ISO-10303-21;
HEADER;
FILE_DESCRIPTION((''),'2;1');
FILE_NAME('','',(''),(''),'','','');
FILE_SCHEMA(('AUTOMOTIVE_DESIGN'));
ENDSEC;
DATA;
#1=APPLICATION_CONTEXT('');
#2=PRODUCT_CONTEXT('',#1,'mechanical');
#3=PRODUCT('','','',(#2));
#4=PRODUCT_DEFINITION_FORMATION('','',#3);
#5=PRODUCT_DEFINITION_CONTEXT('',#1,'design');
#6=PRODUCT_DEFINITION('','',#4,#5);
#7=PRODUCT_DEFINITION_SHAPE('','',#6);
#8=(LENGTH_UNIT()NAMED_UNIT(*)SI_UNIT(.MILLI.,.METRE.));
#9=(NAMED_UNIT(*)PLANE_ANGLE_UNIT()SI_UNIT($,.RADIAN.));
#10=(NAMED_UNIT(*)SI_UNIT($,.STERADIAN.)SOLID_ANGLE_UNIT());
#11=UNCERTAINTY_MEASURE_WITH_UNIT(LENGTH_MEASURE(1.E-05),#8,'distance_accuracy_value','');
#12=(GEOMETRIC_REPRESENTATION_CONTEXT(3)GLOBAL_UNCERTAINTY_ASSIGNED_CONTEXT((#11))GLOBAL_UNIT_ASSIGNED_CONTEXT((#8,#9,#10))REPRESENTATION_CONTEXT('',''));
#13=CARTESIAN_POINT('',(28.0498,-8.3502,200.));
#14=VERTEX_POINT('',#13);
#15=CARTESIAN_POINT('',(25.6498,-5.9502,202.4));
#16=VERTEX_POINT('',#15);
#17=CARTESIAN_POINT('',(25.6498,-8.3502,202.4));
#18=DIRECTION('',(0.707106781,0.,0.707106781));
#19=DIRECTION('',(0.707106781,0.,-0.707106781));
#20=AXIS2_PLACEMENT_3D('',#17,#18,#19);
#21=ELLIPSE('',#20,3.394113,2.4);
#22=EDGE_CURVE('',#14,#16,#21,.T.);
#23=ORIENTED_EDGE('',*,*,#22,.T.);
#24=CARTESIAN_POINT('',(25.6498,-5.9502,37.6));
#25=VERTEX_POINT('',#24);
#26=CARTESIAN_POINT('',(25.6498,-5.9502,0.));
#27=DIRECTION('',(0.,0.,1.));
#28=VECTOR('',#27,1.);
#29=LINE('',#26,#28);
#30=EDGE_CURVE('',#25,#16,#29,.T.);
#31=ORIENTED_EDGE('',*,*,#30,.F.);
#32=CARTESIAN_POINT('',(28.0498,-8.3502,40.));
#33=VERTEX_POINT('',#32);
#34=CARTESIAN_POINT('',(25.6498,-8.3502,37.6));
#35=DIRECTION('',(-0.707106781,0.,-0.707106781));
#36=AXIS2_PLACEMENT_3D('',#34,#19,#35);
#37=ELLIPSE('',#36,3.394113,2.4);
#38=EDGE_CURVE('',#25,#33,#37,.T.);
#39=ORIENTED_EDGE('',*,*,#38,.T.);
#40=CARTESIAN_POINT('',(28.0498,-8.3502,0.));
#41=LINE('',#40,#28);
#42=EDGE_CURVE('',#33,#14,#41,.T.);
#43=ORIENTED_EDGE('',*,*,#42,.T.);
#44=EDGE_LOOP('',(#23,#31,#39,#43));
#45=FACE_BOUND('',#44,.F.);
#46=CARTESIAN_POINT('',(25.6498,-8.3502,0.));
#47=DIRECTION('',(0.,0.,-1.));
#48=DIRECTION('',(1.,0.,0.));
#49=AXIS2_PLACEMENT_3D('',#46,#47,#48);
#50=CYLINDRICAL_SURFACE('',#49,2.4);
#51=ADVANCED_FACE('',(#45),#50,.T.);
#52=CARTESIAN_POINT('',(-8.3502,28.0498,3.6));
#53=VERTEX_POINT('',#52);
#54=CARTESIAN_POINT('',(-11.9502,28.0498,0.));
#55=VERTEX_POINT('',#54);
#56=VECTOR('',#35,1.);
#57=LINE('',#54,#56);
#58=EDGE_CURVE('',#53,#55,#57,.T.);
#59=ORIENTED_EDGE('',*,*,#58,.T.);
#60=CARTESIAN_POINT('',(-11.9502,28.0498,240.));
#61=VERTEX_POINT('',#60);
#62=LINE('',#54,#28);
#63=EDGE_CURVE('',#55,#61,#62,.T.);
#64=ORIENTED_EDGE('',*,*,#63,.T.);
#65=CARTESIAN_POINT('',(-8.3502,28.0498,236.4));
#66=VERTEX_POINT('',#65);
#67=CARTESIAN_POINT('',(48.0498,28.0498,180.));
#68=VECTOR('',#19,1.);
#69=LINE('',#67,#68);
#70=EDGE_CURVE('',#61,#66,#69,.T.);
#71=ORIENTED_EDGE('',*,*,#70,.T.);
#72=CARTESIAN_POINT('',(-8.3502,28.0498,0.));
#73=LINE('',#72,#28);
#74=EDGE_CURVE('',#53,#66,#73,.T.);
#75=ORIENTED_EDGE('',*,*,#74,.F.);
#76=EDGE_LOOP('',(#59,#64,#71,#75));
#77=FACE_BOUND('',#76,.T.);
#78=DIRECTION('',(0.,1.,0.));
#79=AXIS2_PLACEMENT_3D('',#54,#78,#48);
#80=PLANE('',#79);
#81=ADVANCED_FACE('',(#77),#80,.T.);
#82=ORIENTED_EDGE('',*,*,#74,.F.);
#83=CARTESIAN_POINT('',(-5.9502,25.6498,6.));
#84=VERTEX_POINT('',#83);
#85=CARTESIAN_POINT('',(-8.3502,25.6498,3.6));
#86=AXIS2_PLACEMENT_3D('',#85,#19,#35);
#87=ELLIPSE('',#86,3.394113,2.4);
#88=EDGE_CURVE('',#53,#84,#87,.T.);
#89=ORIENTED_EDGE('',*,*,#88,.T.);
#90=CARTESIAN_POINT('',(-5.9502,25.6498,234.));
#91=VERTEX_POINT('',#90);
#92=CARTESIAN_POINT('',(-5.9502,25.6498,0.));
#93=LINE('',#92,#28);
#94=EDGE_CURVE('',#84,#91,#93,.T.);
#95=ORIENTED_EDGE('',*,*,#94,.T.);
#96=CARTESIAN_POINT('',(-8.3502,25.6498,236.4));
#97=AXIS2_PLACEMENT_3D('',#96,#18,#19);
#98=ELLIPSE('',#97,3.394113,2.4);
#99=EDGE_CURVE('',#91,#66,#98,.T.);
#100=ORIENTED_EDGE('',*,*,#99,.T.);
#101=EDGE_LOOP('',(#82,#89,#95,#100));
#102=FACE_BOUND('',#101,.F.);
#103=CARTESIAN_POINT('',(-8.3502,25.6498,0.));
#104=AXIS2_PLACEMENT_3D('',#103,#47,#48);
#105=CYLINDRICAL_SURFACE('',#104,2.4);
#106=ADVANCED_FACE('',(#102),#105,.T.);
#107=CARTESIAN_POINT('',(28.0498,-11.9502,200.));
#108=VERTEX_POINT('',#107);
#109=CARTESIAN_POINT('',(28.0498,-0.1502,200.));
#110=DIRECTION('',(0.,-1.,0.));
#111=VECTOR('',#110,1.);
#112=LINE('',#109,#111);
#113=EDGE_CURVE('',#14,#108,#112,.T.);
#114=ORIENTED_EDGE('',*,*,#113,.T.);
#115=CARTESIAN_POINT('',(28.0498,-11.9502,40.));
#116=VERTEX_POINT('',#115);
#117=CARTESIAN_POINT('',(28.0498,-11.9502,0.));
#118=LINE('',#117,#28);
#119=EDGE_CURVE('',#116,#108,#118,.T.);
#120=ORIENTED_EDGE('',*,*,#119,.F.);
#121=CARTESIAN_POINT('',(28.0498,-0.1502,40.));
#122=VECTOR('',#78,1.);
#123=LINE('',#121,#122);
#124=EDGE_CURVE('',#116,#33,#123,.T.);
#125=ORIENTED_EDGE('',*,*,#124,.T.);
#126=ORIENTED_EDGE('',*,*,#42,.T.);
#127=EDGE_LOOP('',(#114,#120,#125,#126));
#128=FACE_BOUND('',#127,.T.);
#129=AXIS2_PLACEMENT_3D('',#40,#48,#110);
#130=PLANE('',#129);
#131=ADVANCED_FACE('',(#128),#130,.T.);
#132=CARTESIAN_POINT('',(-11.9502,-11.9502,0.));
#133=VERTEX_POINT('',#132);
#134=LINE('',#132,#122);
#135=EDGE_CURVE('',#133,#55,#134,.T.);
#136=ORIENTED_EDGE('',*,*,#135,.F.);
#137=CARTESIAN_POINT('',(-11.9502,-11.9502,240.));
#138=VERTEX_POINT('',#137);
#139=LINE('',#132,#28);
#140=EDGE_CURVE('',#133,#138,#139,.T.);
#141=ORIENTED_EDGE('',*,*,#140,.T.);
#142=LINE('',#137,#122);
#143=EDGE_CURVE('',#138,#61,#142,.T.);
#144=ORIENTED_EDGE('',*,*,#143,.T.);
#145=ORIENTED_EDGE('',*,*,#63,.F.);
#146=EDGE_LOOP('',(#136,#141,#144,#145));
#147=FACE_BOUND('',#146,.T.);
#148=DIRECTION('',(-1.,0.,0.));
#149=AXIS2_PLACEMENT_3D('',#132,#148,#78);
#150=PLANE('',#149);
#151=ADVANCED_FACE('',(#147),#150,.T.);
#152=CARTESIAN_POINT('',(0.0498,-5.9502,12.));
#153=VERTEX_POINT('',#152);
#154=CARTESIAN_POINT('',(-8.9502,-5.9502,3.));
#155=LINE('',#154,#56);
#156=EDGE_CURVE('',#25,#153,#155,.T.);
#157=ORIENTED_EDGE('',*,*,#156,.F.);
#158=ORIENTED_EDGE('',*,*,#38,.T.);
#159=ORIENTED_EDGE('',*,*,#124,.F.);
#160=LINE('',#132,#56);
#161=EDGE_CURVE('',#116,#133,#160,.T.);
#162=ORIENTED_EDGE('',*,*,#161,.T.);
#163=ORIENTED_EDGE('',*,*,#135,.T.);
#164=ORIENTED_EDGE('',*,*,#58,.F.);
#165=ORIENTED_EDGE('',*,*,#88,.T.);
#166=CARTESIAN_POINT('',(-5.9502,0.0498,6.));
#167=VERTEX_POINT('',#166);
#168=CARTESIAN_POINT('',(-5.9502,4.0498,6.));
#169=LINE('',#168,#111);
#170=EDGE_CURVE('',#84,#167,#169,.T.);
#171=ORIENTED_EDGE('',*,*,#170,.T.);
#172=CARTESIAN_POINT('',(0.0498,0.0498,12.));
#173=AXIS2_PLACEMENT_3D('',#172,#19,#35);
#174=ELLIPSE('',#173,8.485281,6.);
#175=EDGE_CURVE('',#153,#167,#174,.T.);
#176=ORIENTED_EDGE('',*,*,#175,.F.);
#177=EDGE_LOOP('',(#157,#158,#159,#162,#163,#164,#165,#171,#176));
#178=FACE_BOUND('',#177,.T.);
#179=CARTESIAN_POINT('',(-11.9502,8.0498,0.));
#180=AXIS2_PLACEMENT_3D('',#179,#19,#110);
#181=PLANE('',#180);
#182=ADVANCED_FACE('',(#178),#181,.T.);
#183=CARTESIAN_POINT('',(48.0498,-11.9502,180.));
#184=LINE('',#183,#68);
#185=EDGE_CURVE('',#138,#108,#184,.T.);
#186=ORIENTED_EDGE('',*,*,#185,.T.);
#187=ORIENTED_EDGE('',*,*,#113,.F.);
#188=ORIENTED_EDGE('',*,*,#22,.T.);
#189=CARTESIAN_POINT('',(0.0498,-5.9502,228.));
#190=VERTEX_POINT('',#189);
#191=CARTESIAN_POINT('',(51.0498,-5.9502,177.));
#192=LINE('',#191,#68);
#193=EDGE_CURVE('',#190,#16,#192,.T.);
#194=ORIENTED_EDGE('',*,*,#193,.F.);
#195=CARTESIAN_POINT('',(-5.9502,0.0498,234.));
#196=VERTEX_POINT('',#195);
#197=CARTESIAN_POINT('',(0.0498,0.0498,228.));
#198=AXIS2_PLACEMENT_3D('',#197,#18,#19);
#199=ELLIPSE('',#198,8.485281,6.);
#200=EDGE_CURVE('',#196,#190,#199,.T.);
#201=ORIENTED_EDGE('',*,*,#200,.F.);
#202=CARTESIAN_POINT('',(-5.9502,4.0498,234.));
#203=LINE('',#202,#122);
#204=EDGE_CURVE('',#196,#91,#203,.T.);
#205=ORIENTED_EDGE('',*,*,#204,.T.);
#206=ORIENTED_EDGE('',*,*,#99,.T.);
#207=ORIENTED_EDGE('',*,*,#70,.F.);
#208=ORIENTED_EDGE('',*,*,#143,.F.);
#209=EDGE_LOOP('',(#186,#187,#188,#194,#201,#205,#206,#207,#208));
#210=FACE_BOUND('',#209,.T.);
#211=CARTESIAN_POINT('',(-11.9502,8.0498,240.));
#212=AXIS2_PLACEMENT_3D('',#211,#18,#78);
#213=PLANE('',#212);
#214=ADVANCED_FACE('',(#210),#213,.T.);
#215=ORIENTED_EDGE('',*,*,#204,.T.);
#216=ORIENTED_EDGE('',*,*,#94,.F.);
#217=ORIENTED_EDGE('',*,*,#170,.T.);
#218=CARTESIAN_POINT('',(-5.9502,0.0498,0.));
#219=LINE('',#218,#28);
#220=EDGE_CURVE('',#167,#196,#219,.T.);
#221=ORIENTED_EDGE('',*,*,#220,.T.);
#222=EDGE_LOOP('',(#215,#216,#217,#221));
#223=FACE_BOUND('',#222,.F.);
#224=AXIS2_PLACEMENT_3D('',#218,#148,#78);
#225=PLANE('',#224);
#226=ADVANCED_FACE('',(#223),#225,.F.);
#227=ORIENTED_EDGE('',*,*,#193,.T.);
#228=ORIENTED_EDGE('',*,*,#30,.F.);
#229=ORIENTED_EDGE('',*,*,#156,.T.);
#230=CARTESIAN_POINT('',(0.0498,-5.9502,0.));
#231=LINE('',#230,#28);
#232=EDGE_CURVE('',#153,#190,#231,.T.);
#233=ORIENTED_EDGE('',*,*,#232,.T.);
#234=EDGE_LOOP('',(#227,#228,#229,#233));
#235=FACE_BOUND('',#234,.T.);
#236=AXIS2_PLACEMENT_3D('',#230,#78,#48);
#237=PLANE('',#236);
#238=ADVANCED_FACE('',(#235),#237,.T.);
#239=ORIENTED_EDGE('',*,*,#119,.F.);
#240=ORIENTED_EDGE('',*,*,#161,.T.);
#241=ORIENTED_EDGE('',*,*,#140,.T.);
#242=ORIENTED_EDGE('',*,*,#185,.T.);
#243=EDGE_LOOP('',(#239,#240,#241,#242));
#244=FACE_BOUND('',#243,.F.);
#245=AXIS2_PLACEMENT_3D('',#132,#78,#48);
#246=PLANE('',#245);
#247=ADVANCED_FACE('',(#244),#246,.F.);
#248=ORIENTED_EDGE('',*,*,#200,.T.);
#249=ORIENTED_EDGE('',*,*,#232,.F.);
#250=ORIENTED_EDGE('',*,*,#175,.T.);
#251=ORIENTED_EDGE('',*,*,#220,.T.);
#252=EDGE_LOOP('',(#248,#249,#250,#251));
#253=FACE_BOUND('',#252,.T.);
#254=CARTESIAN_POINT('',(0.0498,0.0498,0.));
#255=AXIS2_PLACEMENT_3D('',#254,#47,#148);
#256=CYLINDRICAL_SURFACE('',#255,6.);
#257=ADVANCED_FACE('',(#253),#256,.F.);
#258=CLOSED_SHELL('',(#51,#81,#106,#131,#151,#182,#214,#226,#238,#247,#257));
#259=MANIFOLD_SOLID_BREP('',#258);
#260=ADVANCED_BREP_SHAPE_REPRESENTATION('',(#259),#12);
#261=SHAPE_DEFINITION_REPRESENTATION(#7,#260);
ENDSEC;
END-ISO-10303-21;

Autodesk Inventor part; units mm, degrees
ref_plane "Start Plane" through (0, 0, 0) normal (0, 0, 1) x (1, 0, 0)
ref_plane "End Plane" through (0, 0, 240) normal (0, 0, 1) x (1, 0, 0)
sketch "Sketch" plane through (0, 0, 0) normal (0, 0, 1) x (1, 0, 0)
  line L0 (-5.9502, 0.0498) -> (-5.9502, 25.6498)
  line L1 (-11.9502, 28.0498) -> (-8.3502, 28.0498)
  line L2 (-11.9502, -11.9502) -> (-11.9502, 28.0498)
  line L3 (-11.9502, -11.9502) -> (28.0498, -11.9502)
  line L4 (28.0498, -8.3502) -> (28.0498, -11.9502)
  line L5 (0.0498, -5.9502) -> (25.6498, -5.9502)
  arc A0 (-5.9502, 0.0498) -> (0.0498, -5.9502) centre (0.0498, 0.0498) ccw
  arc A1 (-5.9502, 25.6498) -> (-8.3502, 28.0498) centre (-8.3502, 25.6498) ccw
  arc A2 (28.0498, -8.3502) -> (25.6498, -5.9502) centre (25.6498, -8.3502) ccw
  line L6 (0, 36.6463) -> (0, -20.0496) construction
  line L7 (-20.0496, 0) -> (36.6463, 0) construction
  point P0 (-5.9502, -5.9502)
  point P1 (-5.9502, 28.0498)
  point P2 (28.0498, -5.9502)
  dimension "d4" = 40
  dimension "d6" = 40
  dimension "d8" = 6
  dimension "d10" = 6
  dimension "d17" = 6
  dimension "d18" = 2.4
  dimension "d19" = 11.9502
  dimension "d20" = 11.9502
extrude "Body" add sketch "Sketch" along normal up to surface (240 mm away) from surface at 0
sketch "Sketch3" plane through (0, 0, 0) normal (0, 0, 1) x (1, 0, 0)
  line L0 (0, 0) -> (10, 0)
ref_plane "Work Plane10" through (0, 0, 0) normal (0, -1, 0) x (1, 0, 0)
sketch "Sketch4" plane through (0, 0, 0) normal (0, -1, 0) x (1, 0, 0)
  line L0 (-2, 0) -> (12, 0)
  line L1 (-2, 240) -> (12, 240)
  dimension "d24" = 240
ref_plane "Work Plane11" through (-11.9502, 8.0498, 240) normal (0.7071, 0, 0.7071) x (0.7071, 0, -0.7071)
split "Split1" plane through (-11.9502, 8.0498, 240) removes the side toward (0.7071, 0, 0.7071)
ref_plane "Work Plane12" through (-11.9502, 8.0498, 0) normal (0.7071, 0, -0.7071) x (-0.7071, 0, -0.7071)
split "Split2" plane through (-11.9502, 8.0498, 0) removes the side toward (0.7071, 0, -0.7071)
equation "\"d4\" = b"
equation "\"d6\" = b"
equation "\"d8\" = ParT"
equation "\"d10\" = ParT"
equation "\"d17\" = R"
equation "\"d18\" = R1"
equation "\"d19\" = ex"
equation "\"d20\" = d19"
equation "\"d11\" = G_L"
equation "\"b\" = 40"
equation "\"ParT\" = 6"
equation "\"R\" = 6"
equation "\"R1\" = 2.4"
equation "\"G_L\" = d24"
equation "\"G_OFFSET_START\" = 0"
equation "\"G_OFFSET_END\" = 0"
equation "\"ex\" = 11.950185"
properties part number "BS 4848 - 40x40x6-240" material "Steel, Mild"
